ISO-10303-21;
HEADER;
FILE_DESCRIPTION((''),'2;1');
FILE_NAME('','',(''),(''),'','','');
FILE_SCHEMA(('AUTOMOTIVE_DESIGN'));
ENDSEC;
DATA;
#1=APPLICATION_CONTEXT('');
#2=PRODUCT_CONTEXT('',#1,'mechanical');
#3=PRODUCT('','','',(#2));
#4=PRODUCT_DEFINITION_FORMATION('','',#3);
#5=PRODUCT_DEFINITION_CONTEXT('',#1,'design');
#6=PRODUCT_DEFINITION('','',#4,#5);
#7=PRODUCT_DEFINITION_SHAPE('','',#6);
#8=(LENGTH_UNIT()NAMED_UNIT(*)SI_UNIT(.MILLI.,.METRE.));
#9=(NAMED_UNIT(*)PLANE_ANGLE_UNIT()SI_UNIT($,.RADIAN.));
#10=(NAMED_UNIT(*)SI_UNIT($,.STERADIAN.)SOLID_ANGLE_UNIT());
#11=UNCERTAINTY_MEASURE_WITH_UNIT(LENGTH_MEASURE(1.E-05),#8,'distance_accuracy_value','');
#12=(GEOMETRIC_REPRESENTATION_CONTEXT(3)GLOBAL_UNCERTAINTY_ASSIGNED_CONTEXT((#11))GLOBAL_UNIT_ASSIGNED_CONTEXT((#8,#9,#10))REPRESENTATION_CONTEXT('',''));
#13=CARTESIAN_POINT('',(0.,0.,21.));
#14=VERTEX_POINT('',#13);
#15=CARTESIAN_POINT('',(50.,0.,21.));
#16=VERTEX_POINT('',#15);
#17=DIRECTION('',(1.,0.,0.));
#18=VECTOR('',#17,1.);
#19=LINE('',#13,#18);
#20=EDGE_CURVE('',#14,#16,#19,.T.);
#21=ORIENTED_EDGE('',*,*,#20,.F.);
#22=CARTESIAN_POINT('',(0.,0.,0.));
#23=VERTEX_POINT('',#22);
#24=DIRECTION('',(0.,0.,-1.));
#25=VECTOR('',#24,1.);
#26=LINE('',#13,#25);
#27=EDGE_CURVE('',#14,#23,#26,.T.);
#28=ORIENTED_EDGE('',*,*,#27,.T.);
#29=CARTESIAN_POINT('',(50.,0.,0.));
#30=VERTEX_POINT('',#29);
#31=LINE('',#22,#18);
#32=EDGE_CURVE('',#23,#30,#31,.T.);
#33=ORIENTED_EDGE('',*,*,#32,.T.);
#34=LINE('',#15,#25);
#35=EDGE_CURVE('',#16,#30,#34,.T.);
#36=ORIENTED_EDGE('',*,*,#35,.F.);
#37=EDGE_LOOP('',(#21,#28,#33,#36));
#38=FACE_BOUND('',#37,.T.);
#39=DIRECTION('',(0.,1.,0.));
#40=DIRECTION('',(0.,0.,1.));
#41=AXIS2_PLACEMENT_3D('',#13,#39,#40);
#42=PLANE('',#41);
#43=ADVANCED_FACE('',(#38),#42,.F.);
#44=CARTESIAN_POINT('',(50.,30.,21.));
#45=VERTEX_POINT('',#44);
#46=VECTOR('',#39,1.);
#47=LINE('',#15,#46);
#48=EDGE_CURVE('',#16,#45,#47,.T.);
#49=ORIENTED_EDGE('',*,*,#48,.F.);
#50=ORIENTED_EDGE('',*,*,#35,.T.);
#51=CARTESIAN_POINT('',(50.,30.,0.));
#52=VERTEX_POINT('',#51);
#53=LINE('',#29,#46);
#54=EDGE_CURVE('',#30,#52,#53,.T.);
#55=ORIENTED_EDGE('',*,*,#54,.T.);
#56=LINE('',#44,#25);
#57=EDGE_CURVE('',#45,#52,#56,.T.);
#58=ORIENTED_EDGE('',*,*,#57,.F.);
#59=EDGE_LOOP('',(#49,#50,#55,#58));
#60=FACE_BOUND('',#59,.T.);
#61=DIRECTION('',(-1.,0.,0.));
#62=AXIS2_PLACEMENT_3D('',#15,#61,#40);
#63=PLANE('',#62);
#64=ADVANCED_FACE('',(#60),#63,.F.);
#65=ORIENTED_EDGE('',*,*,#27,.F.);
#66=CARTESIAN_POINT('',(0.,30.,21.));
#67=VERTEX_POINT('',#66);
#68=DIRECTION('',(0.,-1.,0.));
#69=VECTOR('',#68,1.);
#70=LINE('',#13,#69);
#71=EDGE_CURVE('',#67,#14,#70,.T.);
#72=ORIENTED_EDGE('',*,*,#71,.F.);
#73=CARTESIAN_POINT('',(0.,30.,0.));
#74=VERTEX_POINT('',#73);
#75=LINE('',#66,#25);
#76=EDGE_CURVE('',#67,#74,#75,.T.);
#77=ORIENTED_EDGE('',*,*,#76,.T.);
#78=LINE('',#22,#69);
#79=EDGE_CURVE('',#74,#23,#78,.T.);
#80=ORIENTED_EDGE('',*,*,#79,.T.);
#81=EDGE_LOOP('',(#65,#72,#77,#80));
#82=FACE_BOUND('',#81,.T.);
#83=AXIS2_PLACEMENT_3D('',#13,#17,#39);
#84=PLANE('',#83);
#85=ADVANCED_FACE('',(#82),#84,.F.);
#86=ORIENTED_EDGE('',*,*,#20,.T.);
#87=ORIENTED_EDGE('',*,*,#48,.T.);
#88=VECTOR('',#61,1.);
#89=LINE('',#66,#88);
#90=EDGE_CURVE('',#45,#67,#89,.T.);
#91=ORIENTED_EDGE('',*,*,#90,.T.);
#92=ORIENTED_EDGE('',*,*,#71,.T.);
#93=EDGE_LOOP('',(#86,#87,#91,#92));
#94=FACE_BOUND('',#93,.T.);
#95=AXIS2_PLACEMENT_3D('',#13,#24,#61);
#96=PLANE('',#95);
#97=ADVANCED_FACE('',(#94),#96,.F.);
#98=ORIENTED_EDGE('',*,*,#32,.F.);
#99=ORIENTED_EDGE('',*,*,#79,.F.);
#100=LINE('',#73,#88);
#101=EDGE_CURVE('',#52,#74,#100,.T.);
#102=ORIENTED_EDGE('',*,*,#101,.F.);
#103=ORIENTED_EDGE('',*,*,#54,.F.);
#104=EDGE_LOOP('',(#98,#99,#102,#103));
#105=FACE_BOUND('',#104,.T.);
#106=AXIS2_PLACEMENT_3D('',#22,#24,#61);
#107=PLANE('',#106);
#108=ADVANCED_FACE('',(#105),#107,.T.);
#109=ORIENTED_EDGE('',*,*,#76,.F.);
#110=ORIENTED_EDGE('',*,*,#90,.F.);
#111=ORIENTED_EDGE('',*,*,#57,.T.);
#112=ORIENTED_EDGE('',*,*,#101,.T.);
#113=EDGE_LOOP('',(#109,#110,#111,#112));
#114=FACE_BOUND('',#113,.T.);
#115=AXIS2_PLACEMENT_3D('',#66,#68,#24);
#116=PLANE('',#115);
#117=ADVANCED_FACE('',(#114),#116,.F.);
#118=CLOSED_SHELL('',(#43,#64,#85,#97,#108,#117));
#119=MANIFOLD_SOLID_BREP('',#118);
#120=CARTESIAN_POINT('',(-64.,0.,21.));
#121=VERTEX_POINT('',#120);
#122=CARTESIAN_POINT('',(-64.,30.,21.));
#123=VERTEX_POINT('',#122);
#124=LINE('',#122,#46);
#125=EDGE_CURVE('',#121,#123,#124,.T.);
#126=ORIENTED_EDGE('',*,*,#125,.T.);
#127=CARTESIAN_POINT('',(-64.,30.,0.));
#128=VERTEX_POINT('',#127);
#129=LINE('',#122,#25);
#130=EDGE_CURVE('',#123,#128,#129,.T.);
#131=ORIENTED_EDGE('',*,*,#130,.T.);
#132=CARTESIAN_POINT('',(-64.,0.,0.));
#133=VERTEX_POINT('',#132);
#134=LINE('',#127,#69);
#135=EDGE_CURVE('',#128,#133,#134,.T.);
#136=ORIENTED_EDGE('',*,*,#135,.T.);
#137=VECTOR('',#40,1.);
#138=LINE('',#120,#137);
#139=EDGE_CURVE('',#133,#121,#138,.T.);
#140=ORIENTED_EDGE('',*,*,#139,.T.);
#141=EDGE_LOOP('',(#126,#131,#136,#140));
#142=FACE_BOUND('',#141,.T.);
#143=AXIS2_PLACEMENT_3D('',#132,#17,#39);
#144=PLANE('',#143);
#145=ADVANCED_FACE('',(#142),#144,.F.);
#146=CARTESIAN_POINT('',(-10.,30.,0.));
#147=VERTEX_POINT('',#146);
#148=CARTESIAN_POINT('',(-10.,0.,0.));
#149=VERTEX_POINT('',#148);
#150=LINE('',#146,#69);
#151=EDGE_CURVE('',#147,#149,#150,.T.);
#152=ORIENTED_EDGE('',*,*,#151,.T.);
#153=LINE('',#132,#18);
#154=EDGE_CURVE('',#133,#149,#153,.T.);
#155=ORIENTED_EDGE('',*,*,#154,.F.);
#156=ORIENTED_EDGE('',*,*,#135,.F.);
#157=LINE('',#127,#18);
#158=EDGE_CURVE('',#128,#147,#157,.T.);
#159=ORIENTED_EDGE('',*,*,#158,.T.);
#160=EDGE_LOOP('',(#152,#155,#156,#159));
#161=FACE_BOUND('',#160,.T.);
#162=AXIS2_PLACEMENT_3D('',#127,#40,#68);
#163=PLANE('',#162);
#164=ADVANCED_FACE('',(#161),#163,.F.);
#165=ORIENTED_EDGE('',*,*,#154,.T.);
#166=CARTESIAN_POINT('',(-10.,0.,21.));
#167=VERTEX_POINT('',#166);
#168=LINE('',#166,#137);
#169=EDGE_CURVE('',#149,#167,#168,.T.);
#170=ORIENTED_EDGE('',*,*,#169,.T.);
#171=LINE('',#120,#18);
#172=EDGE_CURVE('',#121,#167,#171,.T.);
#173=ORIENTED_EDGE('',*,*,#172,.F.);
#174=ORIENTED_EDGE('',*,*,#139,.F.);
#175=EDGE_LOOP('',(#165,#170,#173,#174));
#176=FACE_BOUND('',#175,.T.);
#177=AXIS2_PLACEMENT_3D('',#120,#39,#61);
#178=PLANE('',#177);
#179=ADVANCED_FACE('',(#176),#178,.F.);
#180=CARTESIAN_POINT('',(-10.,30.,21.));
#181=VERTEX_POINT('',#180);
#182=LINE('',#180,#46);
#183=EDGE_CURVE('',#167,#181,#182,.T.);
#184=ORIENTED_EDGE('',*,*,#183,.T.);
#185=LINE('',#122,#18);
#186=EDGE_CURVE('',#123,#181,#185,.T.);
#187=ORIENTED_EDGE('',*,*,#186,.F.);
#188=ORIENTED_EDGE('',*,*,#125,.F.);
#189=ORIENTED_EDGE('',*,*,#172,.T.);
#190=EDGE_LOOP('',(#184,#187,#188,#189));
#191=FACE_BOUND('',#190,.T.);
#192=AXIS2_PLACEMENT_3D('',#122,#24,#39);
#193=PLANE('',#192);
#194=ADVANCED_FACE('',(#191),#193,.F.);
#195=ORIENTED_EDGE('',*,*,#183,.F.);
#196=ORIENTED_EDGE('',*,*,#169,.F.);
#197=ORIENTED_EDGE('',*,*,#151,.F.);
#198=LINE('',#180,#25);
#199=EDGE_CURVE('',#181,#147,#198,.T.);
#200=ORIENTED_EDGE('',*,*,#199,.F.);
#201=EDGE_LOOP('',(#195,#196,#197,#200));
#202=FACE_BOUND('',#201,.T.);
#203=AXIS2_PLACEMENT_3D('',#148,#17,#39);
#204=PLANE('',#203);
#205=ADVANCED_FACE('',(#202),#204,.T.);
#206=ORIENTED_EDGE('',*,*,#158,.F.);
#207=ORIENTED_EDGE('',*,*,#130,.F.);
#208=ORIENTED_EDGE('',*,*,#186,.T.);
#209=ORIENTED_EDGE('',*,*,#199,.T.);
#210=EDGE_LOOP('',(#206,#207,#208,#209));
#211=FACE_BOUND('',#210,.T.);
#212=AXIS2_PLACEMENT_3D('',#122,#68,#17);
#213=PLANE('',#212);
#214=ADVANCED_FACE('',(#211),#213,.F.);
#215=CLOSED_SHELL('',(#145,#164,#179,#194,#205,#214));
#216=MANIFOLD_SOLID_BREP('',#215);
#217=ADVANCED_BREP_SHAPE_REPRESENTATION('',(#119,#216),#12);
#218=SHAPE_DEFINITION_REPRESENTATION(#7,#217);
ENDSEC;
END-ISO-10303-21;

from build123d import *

# Parameters (mm, degrees)
ESQUISSE1_W        = 50
ESQUISSE1_H        = 30
BOSS_EXTRU_1_DEPTH = 21
ESQUISSE3_W        = 21
ESQUISSE3_H        = 30
BOSS_EXTRU_3_DEPTH = 54


with BuildPart() as part:
    # Esquisse1 → Boss.-Extru.1 (new body)
    with BuildSketch(Plane.XY):
        with Locations((25, 15)):
            Rectangle(ESQUISSE1_W, ESQUISSE1_H)
    extrude(amount=BOSS_EXTRU_1_DEPTH)


with BuildPart() as body_2:
    # Esquisse3 → Boss.-Extru.3 (new body)
    with BuildSketch(Plane.ZY.offset(10)):
        with Locations((10.5, 15)):
            Rectangle(ESQUISSE3_W, ESQUISSE3_H)
    extrude(amount=BOSS_EXTRU_3_DEPTH)


solid = Compound([part.part, body_2.part])
